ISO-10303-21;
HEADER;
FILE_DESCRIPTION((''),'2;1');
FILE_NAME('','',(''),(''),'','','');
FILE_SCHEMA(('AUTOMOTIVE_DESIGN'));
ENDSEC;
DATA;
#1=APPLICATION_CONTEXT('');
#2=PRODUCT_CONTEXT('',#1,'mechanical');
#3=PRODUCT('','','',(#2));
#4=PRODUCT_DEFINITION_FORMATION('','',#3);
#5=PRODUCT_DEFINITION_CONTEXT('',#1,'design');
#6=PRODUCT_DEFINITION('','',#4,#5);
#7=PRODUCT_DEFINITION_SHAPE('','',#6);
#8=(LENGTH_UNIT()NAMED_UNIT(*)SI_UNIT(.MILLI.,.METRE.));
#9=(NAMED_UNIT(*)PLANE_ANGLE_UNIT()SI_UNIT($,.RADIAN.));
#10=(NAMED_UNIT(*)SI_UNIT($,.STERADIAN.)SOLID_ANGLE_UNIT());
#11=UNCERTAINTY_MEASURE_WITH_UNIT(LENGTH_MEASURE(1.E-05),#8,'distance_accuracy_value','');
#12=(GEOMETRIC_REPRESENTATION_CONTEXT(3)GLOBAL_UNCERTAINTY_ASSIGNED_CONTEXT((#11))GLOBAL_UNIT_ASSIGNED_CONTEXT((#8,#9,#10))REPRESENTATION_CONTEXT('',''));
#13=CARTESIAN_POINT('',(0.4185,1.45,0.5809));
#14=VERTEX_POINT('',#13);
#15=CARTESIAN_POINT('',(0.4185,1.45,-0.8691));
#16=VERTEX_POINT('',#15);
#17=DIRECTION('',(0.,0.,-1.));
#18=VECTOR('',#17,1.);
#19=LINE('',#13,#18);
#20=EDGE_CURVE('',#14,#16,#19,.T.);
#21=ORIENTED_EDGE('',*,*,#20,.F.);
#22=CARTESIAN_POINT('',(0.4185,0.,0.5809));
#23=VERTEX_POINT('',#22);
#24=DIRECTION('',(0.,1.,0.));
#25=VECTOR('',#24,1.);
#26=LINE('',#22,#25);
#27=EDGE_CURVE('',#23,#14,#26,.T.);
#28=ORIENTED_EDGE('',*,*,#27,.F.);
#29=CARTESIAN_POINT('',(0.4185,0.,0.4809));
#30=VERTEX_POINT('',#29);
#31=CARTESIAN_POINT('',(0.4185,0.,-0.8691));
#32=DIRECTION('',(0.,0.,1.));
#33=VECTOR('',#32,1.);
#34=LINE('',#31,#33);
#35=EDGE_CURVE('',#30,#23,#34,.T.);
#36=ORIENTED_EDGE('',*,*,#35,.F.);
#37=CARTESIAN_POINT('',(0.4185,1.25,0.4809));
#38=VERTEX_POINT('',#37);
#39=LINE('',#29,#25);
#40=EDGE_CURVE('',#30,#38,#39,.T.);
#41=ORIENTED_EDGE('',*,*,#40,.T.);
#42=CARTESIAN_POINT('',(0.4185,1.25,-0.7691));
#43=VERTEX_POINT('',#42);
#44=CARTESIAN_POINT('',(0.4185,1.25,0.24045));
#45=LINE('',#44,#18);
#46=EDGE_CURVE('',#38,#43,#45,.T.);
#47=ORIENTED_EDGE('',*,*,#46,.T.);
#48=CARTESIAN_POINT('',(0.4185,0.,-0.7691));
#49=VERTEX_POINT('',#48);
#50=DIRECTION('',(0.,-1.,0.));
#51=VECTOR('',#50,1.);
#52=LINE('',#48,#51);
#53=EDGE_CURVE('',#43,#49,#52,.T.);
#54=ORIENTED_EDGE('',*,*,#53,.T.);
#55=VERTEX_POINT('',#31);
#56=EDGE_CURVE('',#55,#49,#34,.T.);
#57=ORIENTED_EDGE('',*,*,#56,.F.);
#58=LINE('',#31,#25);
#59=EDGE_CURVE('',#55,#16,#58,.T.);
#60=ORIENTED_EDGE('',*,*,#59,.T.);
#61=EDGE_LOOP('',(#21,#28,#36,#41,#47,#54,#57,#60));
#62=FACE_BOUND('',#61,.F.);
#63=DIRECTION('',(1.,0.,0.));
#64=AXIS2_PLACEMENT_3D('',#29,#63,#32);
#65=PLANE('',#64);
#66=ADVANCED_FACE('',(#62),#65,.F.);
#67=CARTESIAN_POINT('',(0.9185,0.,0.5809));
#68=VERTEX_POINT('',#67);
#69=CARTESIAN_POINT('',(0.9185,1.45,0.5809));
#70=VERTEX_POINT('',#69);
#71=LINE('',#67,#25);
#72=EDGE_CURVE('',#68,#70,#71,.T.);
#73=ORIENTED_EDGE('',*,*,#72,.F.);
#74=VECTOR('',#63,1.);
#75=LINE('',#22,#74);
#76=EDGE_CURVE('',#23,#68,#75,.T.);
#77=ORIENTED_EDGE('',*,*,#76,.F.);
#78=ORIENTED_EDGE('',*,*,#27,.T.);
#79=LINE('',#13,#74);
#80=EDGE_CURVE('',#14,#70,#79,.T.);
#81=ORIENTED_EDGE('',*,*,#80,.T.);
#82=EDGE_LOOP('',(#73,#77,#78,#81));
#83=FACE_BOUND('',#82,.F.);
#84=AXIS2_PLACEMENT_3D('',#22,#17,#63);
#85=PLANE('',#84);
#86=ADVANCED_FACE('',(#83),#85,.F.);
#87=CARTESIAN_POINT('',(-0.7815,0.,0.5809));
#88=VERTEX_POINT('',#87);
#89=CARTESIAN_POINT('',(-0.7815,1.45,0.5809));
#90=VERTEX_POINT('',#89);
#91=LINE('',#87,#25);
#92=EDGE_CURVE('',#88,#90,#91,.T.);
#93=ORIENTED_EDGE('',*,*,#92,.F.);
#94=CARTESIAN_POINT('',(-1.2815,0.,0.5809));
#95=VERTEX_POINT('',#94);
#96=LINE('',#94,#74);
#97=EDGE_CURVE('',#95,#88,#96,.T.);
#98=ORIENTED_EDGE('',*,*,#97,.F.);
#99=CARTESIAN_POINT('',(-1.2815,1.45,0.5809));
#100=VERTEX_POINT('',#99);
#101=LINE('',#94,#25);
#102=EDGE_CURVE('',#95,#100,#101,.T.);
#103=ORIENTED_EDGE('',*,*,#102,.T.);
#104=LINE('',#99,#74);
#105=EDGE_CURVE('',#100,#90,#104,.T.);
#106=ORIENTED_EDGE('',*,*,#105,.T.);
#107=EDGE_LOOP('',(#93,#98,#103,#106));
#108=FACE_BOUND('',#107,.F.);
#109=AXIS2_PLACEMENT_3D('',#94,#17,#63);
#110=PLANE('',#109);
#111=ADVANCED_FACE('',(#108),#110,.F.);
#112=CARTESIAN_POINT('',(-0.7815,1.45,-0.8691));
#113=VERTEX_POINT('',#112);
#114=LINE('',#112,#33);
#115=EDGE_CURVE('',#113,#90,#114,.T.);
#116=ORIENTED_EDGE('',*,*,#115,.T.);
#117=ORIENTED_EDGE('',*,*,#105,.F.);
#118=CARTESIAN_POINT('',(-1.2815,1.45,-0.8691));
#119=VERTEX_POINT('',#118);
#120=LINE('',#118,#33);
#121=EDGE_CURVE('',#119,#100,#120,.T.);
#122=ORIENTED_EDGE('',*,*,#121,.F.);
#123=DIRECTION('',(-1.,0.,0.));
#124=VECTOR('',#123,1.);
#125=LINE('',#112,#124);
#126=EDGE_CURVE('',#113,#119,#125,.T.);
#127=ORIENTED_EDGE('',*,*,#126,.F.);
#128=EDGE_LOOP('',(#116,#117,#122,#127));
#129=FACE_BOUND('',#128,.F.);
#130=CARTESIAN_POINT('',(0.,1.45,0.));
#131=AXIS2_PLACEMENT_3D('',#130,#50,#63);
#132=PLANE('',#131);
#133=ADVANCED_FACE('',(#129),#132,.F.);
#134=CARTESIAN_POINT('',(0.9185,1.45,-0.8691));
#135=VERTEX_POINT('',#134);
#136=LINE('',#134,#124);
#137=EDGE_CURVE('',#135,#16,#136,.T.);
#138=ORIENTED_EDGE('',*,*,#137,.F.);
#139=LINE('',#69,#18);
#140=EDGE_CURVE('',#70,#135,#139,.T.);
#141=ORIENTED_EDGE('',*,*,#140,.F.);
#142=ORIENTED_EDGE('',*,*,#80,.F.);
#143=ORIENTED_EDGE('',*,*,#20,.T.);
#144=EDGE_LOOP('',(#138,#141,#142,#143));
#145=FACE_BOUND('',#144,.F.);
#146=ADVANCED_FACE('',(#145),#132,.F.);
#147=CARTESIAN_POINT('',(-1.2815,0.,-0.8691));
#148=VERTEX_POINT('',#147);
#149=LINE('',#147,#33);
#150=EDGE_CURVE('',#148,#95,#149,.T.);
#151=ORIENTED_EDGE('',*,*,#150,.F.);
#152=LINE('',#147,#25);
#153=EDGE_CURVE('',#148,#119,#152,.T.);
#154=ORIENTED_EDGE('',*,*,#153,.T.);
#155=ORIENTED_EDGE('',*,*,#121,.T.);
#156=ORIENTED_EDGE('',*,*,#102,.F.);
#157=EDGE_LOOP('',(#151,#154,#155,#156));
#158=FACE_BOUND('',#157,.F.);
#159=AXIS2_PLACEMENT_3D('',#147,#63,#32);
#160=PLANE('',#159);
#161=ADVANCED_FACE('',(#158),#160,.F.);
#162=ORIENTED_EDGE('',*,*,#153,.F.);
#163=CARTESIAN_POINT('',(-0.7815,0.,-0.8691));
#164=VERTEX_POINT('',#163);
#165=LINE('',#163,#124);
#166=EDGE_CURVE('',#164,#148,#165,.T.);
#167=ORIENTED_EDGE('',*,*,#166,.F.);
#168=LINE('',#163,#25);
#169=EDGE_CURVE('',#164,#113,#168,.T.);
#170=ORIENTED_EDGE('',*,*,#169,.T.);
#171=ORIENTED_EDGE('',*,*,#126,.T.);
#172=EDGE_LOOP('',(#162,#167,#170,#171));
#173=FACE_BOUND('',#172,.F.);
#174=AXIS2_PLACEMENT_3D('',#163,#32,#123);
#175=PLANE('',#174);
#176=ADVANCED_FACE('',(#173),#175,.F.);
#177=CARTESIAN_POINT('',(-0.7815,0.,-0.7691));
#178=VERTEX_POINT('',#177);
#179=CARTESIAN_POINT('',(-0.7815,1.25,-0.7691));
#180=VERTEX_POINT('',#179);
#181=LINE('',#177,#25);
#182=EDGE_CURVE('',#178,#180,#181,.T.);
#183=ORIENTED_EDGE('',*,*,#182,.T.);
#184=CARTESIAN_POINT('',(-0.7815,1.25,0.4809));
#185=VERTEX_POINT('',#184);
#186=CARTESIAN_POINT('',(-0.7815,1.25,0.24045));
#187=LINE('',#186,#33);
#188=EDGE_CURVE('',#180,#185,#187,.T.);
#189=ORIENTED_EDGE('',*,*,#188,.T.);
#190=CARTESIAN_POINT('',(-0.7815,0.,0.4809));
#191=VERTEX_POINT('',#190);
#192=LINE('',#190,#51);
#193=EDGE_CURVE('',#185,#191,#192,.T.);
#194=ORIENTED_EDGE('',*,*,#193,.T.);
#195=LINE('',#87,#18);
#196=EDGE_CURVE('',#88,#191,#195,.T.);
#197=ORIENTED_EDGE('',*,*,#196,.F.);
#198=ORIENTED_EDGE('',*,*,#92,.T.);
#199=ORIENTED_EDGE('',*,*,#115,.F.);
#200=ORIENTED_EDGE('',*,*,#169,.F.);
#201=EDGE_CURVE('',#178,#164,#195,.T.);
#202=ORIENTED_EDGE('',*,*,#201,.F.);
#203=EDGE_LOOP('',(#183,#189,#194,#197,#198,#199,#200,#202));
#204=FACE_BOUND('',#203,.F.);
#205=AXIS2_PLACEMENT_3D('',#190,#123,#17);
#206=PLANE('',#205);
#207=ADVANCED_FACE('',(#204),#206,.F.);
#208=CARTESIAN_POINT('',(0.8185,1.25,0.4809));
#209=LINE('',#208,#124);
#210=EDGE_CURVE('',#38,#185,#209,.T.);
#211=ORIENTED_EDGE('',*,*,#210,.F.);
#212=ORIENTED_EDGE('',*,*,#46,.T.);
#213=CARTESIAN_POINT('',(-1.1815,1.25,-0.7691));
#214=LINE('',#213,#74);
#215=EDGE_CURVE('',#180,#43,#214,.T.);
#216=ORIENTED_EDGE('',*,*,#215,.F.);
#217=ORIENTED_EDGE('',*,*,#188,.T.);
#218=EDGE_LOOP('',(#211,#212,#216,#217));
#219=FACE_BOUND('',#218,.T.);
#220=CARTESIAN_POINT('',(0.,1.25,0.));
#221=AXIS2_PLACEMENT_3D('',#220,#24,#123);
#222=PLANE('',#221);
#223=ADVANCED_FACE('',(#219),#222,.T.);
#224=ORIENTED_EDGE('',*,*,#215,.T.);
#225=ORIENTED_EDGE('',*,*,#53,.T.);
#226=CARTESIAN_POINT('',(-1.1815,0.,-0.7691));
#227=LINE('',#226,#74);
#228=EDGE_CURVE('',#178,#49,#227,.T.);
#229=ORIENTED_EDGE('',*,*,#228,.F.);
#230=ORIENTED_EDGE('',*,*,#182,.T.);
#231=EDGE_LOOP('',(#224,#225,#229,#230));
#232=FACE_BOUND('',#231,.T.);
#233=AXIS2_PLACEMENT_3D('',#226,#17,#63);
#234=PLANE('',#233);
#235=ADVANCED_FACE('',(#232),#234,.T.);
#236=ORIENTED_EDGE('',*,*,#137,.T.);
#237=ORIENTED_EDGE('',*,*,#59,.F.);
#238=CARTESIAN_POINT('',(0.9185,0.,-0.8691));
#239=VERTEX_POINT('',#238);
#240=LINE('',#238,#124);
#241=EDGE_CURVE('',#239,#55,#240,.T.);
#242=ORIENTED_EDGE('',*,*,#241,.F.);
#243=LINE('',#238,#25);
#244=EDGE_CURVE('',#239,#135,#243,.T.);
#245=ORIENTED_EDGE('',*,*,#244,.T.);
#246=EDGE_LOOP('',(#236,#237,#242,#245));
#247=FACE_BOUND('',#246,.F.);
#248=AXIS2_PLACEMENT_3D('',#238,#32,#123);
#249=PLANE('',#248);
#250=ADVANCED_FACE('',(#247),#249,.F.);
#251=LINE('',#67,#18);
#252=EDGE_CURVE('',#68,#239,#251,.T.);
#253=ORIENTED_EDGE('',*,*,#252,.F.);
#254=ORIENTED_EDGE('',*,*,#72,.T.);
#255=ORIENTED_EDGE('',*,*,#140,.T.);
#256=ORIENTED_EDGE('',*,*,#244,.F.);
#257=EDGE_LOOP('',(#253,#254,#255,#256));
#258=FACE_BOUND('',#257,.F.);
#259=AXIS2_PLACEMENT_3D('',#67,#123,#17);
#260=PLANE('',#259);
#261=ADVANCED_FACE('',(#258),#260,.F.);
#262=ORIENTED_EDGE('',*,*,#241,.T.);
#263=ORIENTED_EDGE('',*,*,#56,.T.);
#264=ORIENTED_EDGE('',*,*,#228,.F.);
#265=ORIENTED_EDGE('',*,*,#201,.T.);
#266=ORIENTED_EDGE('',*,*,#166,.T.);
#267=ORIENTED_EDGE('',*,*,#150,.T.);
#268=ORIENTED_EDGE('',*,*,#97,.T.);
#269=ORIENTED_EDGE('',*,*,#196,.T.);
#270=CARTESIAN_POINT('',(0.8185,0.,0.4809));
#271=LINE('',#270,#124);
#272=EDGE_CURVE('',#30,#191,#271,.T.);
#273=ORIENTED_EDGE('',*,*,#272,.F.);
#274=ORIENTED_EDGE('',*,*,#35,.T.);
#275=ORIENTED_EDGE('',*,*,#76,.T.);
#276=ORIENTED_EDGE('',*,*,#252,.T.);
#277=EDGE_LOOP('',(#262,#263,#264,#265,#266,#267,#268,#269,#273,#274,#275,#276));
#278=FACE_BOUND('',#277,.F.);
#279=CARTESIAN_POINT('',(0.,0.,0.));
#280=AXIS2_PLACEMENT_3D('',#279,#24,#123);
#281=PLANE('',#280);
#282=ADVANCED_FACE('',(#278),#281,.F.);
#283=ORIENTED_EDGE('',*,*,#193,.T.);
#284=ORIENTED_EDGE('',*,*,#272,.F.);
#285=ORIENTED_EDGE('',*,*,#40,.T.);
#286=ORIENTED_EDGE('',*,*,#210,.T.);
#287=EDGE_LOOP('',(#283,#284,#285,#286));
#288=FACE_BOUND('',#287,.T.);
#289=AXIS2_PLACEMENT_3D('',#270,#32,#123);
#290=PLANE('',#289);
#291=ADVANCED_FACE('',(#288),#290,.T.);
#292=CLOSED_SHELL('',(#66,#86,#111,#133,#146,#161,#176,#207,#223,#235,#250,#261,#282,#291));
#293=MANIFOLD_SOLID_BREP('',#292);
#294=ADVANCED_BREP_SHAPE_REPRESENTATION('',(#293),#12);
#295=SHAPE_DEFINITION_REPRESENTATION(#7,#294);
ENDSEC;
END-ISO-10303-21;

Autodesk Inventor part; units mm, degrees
ref_plane "YZ Plane" through (0, 0, 0) normal (1, 0, 0) x (0, 1, 0)
ref_plane "XZ Plane" through (0, 0, 0) normal (0, 1, 0) x (-1, 0, 0)
ref_plane "XY Plane" through (0, 0, 0) normal (0, 0, 1) x (1, 0, 0)
sketch "Sketch1" plane through (0, 0, 0) normal (0, 1, 0) x (-1, 0, 0)
  line L0 (-0.8185, 0.4809) -> (1.1815, 0.4809)
  line L1 (1.1815, 0.4809) -> (1.1815, -0.7691)
  line L2 (1.1815, -0.7691) -> (-0.8185, -0.7691)
  line L3 (-0.8185, -0.7691) -> (-0.8185, 0.4809)
  point P0 (0, 0)
  dimension "d0" = 2
  dimension "d1" = 1.25
extrude "Extrusion1" add sketch "Sketch1" along normal blind 1.25
sketch "Sketch2" plane through (0, 0, 0) normal (0, -1, 0) x (1, 0, 0)
  line L0 (0.8185, 0.4809) -> (-1.1815, 0.4809) projected
  line L1 (0.8185, -0.7691) -> (0.8185, 0.4809) projected
  line L2 (-1.2815, 0.5809) -> (-0.7815, 0.5809)
  line L3 (-0.7815, 0.5809) -> (-0.7815, -0.8691)
  line L4 (-0.7815, -0.8691) -> (-1.2815, -0.8691)
  line L5 (-1.2815, -0.8691) -> (-1.2815, 0.5809)
  line L6 (0.4185, 0.5809) -> (0.9185, 0.5809)
  line L7 (0.9185, 0.5809) -> (0.9185, -0.8691)
  line L8 (0.9185, -0.8691) -> (0.4185, -0.8691)
  line L9 (0.4185, -0.8691) -> (0.4185, 0.5809)
  point P0 (0, 0)
  dimension "d4" = 0.5
  dimension "d5" = 0.5
  dimension "d6" = 1.45
  dimension "d7" = 1.45
  dimension "d8" = 0.1
  dimension "d9" = 0.1
  dimension "d10" = 2.2
  dimension "d11" = 0.1
extrude "Extrusion2" add sketch "Sketch2" against normal blind 1.45
properties part number "0806Cap"
